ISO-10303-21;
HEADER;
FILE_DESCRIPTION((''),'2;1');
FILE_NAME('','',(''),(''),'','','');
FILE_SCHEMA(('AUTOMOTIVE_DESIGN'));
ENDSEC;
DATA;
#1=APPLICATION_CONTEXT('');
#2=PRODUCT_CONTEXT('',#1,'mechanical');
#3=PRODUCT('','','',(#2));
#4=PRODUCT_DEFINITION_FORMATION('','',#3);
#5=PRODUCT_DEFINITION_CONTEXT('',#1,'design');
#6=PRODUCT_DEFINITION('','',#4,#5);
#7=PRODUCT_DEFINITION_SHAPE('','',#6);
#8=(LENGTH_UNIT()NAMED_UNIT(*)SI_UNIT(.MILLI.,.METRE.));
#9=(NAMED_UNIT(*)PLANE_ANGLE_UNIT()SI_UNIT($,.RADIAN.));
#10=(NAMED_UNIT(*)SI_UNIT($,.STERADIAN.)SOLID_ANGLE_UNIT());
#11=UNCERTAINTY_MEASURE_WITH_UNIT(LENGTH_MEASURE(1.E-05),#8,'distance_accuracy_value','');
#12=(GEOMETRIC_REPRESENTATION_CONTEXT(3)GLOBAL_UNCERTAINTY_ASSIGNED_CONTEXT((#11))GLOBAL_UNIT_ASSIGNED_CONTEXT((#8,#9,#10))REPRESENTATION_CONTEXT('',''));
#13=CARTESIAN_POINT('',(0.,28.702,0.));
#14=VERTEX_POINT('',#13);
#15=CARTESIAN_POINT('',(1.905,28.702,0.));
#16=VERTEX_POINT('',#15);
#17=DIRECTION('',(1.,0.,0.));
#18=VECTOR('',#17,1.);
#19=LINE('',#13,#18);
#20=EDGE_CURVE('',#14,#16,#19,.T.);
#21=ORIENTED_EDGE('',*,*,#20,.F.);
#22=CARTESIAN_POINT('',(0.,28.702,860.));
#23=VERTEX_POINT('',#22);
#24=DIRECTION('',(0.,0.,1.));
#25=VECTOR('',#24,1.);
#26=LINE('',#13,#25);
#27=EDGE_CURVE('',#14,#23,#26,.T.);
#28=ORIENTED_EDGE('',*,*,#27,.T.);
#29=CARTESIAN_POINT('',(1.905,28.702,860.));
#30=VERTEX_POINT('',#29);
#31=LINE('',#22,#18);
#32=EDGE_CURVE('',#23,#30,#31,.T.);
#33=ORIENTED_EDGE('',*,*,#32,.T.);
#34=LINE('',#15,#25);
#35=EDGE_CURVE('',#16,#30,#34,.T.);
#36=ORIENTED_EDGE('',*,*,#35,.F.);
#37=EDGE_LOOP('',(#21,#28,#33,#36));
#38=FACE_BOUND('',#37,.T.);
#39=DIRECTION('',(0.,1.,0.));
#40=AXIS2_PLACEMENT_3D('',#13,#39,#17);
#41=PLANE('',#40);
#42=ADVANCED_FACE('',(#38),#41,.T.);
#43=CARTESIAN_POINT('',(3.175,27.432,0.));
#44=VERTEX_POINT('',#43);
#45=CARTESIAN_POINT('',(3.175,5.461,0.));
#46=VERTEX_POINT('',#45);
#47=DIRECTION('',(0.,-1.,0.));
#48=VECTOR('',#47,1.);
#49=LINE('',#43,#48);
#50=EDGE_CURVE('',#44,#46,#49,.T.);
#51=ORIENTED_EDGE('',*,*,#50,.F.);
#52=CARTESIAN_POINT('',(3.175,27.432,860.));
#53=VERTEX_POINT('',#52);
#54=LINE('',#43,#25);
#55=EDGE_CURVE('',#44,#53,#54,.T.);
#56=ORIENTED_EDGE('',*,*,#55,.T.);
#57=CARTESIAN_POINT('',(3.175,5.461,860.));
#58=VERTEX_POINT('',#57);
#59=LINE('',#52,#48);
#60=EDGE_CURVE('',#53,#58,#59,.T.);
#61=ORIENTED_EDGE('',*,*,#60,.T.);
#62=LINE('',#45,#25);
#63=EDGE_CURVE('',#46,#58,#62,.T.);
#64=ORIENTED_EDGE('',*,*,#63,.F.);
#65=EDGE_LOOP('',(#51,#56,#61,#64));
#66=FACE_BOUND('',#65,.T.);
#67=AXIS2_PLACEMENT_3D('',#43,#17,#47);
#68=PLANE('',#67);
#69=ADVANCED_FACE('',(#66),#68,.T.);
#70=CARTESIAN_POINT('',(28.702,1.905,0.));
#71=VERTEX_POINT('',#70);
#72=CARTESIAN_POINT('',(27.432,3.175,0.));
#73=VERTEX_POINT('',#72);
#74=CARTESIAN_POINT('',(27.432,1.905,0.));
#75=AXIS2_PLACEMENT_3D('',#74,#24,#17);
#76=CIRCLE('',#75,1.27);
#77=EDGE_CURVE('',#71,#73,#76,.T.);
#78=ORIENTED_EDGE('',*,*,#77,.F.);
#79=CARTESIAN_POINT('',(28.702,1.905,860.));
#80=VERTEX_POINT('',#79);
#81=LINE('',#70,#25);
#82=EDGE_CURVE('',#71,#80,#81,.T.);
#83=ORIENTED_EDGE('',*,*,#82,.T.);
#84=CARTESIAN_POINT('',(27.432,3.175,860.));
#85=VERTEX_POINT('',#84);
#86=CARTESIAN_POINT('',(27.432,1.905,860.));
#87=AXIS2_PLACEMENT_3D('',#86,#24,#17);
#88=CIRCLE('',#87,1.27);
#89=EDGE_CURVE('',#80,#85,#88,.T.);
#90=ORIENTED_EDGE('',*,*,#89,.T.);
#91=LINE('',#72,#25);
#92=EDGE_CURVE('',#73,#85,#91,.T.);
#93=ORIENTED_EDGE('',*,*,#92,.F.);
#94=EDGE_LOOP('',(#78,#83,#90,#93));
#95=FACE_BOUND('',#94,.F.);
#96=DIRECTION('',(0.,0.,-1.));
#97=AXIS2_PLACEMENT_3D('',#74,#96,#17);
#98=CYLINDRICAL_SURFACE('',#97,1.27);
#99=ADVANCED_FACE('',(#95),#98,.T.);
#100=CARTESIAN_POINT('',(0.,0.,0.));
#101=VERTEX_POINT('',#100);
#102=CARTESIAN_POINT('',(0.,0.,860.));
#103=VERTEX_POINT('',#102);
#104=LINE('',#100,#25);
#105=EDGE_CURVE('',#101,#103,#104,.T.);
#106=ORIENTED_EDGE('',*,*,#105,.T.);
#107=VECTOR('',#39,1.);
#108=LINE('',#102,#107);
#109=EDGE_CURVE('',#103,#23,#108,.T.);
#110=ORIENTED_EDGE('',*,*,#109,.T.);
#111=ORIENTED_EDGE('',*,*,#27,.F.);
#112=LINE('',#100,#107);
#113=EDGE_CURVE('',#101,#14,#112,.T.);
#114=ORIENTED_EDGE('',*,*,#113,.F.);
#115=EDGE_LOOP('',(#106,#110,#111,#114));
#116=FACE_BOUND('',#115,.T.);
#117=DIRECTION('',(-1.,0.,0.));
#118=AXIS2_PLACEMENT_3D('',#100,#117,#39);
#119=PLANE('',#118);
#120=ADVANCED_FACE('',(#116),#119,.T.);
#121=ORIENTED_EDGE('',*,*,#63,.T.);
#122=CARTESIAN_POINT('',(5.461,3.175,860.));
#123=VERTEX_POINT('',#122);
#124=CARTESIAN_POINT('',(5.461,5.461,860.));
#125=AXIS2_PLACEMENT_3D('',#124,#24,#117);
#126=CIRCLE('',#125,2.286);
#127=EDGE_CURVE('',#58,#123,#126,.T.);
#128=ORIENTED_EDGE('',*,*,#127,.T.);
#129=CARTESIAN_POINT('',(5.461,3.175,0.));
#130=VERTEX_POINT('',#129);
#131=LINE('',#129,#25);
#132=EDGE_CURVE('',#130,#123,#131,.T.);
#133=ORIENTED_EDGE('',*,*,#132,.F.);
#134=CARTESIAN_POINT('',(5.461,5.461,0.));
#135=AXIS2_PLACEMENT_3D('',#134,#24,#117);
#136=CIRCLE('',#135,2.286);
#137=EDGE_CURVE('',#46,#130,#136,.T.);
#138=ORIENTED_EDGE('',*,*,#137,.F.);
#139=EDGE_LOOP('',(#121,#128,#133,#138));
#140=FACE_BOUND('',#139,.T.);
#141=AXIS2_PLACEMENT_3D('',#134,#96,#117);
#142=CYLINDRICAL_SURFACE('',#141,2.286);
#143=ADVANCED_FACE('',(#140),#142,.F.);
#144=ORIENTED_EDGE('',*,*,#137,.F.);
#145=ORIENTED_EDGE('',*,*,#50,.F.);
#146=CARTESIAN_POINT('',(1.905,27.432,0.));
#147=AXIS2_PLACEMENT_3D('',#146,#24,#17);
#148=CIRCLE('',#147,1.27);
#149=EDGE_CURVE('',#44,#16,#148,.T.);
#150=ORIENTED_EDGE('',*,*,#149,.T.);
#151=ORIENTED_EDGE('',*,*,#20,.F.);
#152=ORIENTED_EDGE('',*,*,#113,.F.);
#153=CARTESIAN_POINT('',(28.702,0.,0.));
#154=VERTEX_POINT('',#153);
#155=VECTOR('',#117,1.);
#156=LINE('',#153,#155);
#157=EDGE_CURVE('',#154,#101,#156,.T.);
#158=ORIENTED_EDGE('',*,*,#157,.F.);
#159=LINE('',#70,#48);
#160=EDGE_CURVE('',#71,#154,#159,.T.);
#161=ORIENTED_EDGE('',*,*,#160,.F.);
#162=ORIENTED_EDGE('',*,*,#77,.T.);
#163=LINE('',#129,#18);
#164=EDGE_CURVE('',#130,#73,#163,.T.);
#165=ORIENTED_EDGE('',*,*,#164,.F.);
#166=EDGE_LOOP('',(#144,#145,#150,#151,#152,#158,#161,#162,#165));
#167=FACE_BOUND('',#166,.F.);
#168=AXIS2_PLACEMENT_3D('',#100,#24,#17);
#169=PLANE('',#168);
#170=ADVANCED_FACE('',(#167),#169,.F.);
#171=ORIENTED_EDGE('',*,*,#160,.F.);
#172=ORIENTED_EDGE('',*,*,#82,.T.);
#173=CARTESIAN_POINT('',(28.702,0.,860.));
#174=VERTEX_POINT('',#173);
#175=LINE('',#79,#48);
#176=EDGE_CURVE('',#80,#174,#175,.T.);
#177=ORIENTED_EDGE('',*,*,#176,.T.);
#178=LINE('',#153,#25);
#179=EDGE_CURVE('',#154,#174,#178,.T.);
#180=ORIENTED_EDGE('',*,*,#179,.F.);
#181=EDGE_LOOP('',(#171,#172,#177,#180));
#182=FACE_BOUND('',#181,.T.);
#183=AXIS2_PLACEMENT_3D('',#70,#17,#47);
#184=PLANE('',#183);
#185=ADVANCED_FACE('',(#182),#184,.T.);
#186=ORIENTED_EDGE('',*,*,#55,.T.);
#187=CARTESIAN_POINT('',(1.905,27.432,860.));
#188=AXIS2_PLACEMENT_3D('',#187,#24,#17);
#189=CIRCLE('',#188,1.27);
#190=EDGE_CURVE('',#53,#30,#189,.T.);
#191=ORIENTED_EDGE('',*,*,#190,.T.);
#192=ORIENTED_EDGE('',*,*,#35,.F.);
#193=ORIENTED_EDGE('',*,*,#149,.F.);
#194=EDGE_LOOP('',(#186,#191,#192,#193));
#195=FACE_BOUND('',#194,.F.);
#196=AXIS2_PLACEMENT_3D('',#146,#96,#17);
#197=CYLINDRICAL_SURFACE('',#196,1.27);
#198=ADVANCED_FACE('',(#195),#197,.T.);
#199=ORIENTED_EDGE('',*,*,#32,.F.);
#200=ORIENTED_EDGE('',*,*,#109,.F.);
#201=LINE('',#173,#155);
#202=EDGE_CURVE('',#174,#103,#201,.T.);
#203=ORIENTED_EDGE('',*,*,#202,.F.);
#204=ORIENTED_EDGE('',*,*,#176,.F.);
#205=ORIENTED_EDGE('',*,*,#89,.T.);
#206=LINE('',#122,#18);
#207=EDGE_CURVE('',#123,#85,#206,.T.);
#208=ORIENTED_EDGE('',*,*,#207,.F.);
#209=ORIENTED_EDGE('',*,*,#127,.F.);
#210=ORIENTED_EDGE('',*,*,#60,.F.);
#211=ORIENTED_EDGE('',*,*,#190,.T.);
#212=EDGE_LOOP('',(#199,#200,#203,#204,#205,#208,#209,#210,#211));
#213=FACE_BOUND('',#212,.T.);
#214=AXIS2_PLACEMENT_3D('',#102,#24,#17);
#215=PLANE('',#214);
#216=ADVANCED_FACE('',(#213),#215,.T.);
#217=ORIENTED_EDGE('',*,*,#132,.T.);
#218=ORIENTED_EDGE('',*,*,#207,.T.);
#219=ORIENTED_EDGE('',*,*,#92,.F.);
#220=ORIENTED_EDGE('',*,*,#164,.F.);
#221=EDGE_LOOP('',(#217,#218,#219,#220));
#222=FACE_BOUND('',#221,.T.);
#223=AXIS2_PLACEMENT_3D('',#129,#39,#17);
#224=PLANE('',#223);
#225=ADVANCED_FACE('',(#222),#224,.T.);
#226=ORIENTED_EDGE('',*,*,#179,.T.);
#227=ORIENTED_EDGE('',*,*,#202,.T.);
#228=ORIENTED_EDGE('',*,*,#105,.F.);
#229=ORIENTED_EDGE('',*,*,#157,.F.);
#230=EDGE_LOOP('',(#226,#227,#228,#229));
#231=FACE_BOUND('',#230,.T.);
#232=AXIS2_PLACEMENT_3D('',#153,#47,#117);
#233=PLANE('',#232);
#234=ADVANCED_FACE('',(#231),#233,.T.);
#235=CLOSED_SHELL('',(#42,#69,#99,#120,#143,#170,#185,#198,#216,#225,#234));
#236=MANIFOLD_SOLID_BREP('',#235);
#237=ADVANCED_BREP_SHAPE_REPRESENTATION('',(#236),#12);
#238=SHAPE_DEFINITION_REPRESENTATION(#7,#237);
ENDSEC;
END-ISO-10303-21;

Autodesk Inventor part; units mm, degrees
ref_plane "YZ Plane" through (0, 0, 0) normal (1, 0, 0) x (0, 1, 0)
ref_plane "Start Plane" through (0, 0, 0) normal (0, 0, 1) x (1, 0, 0)
ref_plane "End Plane" through (0, 0, 860) normal (0, 0, 1) x (1, 0, 0)
sketch "Sketch" plane through (0, 0, 0) normal (0, 0, 1) x (1, 0, 0)
  line L0 (28.702, 0) -> (0, 0)
  line L1 (0, 0) -> (0, 28.702)
  line L2 (0, 28.702) -> (1.905, 28.702)
  line L3 (3.175, 27.432) -> (3.175, 5.461)
  line L4 (5.461, 3.175) -> (27.432, 3.175)
  line L5 (28.702, 1.905) -> (28.702, 0)
  line L6 (0, -11.0414) -> (0, 31.5385) construction
  line L7 (-11.0414, 0) -> (31.5385, 0) construction
  arc A0 (3.175, 5.461) -> (5.461, 3.175) centre (5.461, 5.461) ccw
  arc A1 (3.175, 27.432) -> (1.905, 28.702) centre (1.905, 27.432) ccw
  arc A2 (28.702, 1.905) -> (27.432, 3.175) centre (27.432, 1.905) ccw
  line L8 (0, 40.0545) -> (0, -19.5574) construction
  line L9 (-19.5574, 0) -> (40.0545, 0) construction
  point P0 (3.175, 28.702)
  point P1 (3.175, 3.175)
  point P2 (28.702, 3.175)
  dimension "d0" = 28.702
  dimension "d1" = 28.702
  dimension "d2" = 3.175
  dimension "d3" = 3.175
  dimension "d10" = 0
  dimension "d11" = 0
  dimension "d14" = 2.286
  dimension "d15" = 1.27
extrude "Body" add sketch "Sketch" along normal up to surface (860 mm away) from surface at 0
sketch "Sketch3" plane through (0, 0, 0) normal (0, 0, 1) x (1, 0, 0)
  line L0 (0, 0) -> (10, 0)
ref_plane "Work Plane3" through (0, 0, 0) normal (0, -1, 0) x (1, 0, 0)
sketch "Sketch4" plane through (0, 0, 0) normal (0, -1, 0) x (1, 0, 0)
  line L0 (-2, 0) -> (12, 0) projected
  line L1 (-2, 860) -> (12, 860) projected
  dimension "d11" = 0
  dimension "d17" = 860
equation "\"d0\" = G_H"
equation "\"d1\" = G_H"
equation "\"d2\" = G_T"
equation "\"d3\" = G_T"
equation "\"d14\" = G_IR"
equation "\"d15\" = G_ER"
equation "\"d4\" = G_L"
equation "\"G_H\" = 28.702"
equation "\"G_T\" = 3.175"
equation "\"G_ER\" = 1.27"
equation "\"G_IR\" = 2.286"
equation "\"G_L\" = d17"
equation "\"ex\" = 0"
equation "\"G_OFFSET_START\" = 0"
equation "\"G_OFFSET_END\" = 0"
equation "\"d13\" = G_OFFSET_END + B_L"
equation "\"B_L\" = 860"
properties part number "AISC - L 1.13 x 1.13 x 1/8 - 33.858" material "Steel, Mild"
